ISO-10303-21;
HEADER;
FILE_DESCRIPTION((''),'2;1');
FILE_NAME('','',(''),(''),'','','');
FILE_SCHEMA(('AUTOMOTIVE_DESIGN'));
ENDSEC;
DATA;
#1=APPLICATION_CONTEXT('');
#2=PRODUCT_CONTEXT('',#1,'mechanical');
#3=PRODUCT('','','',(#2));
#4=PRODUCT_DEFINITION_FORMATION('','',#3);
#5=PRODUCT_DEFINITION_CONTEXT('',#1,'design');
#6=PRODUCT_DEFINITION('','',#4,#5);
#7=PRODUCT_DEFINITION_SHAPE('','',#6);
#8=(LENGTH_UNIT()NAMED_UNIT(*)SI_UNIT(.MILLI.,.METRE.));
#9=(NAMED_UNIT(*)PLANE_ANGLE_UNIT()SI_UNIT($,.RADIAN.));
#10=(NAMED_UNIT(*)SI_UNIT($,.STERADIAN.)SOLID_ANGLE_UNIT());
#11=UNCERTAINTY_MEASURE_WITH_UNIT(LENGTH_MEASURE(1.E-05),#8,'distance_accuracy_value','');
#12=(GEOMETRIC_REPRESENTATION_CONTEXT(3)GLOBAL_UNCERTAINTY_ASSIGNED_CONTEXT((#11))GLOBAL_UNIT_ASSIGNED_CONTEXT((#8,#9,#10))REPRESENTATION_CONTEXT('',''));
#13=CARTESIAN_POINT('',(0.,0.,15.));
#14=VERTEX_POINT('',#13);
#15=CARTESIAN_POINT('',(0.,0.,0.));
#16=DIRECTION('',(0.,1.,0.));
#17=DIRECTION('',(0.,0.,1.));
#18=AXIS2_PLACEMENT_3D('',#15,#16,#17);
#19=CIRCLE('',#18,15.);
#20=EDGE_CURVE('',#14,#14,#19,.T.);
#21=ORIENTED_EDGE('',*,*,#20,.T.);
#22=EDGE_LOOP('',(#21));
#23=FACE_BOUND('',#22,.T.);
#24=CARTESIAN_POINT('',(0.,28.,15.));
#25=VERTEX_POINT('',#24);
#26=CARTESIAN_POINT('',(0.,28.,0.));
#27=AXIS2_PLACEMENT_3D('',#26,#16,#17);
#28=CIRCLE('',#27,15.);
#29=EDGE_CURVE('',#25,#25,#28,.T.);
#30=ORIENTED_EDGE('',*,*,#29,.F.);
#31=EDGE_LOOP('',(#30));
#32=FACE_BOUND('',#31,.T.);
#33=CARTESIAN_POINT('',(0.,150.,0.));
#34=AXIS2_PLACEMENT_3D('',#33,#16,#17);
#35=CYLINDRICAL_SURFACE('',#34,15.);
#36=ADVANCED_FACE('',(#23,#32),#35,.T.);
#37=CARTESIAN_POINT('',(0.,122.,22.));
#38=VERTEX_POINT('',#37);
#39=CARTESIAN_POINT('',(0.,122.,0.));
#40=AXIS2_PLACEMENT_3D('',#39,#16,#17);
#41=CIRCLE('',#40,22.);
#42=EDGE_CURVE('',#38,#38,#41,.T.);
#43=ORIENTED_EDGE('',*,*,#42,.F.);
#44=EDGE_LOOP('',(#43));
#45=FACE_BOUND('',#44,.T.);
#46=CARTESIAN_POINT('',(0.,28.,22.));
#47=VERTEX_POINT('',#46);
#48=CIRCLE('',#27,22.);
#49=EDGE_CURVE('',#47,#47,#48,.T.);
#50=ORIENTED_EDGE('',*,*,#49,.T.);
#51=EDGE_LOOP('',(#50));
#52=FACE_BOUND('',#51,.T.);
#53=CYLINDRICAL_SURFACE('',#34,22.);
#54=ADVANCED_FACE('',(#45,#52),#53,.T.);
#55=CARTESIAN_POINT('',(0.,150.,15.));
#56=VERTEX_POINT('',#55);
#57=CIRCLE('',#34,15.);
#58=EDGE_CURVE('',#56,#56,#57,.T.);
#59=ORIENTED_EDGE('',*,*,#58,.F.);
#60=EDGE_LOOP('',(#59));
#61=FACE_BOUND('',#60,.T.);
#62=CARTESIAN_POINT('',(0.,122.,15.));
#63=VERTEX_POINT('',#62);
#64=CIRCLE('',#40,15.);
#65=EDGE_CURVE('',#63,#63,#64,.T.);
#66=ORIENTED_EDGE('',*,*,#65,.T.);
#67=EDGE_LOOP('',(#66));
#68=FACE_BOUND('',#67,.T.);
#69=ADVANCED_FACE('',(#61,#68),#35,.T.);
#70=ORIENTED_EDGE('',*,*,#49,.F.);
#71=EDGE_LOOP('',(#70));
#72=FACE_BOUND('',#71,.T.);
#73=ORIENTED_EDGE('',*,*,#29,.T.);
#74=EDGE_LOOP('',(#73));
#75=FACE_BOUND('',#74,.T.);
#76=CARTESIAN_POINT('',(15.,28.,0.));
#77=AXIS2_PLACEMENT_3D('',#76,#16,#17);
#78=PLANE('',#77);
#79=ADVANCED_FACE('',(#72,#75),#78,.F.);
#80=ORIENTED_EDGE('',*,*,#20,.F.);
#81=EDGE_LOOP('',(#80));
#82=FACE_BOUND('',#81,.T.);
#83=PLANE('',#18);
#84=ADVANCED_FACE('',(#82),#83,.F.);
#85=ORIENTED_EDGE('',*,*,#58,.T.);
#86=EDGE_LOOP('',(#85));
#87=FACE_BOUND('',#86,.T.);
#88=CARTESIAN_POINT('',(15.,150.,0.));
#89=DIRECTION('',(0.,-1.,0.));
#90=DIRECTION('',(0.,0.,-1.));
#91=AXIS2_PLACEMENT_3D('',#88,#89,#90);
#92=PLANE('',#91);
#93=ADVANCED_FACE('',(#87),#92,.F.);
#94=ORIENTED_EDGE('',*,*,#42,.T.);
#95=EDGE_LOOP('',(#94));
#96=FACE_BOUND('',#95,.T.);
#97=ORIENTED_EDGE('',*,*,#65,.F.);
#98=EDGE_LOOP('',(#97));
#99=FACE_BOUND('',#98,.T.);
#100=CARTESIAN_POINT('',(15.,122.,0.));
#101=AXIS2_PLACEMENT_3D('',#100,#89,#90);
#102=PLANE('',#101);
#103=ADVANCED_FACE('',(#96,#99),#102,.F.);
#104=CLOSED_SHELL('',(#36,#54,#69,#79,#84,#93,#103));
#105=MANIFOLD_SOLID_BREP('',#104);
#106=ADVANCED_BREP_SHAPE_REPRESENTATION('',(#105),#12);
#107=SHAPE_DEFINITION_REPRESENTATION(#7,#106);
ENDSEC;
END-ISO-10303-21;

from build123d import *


with BuildPart() as part:
    # Sketch1 → Revolve1 (revolve)
    with BuildSketch(Plane.XY, mode=Mode.PRIVATE) as revolve1_sk:
        Polygon((0, 0), (15, 0), (15, 28), (22, 28), (22, 122), (15, 122), (15, 150), (0, 150), align=None)
    revolve(revolve1_sk.sketch.rotate(Axis((0, 150, 0), (0, -1, 0)), 90), axis=Axis((0, 150, 0), (0, -1, 0)))


solid = part.part
